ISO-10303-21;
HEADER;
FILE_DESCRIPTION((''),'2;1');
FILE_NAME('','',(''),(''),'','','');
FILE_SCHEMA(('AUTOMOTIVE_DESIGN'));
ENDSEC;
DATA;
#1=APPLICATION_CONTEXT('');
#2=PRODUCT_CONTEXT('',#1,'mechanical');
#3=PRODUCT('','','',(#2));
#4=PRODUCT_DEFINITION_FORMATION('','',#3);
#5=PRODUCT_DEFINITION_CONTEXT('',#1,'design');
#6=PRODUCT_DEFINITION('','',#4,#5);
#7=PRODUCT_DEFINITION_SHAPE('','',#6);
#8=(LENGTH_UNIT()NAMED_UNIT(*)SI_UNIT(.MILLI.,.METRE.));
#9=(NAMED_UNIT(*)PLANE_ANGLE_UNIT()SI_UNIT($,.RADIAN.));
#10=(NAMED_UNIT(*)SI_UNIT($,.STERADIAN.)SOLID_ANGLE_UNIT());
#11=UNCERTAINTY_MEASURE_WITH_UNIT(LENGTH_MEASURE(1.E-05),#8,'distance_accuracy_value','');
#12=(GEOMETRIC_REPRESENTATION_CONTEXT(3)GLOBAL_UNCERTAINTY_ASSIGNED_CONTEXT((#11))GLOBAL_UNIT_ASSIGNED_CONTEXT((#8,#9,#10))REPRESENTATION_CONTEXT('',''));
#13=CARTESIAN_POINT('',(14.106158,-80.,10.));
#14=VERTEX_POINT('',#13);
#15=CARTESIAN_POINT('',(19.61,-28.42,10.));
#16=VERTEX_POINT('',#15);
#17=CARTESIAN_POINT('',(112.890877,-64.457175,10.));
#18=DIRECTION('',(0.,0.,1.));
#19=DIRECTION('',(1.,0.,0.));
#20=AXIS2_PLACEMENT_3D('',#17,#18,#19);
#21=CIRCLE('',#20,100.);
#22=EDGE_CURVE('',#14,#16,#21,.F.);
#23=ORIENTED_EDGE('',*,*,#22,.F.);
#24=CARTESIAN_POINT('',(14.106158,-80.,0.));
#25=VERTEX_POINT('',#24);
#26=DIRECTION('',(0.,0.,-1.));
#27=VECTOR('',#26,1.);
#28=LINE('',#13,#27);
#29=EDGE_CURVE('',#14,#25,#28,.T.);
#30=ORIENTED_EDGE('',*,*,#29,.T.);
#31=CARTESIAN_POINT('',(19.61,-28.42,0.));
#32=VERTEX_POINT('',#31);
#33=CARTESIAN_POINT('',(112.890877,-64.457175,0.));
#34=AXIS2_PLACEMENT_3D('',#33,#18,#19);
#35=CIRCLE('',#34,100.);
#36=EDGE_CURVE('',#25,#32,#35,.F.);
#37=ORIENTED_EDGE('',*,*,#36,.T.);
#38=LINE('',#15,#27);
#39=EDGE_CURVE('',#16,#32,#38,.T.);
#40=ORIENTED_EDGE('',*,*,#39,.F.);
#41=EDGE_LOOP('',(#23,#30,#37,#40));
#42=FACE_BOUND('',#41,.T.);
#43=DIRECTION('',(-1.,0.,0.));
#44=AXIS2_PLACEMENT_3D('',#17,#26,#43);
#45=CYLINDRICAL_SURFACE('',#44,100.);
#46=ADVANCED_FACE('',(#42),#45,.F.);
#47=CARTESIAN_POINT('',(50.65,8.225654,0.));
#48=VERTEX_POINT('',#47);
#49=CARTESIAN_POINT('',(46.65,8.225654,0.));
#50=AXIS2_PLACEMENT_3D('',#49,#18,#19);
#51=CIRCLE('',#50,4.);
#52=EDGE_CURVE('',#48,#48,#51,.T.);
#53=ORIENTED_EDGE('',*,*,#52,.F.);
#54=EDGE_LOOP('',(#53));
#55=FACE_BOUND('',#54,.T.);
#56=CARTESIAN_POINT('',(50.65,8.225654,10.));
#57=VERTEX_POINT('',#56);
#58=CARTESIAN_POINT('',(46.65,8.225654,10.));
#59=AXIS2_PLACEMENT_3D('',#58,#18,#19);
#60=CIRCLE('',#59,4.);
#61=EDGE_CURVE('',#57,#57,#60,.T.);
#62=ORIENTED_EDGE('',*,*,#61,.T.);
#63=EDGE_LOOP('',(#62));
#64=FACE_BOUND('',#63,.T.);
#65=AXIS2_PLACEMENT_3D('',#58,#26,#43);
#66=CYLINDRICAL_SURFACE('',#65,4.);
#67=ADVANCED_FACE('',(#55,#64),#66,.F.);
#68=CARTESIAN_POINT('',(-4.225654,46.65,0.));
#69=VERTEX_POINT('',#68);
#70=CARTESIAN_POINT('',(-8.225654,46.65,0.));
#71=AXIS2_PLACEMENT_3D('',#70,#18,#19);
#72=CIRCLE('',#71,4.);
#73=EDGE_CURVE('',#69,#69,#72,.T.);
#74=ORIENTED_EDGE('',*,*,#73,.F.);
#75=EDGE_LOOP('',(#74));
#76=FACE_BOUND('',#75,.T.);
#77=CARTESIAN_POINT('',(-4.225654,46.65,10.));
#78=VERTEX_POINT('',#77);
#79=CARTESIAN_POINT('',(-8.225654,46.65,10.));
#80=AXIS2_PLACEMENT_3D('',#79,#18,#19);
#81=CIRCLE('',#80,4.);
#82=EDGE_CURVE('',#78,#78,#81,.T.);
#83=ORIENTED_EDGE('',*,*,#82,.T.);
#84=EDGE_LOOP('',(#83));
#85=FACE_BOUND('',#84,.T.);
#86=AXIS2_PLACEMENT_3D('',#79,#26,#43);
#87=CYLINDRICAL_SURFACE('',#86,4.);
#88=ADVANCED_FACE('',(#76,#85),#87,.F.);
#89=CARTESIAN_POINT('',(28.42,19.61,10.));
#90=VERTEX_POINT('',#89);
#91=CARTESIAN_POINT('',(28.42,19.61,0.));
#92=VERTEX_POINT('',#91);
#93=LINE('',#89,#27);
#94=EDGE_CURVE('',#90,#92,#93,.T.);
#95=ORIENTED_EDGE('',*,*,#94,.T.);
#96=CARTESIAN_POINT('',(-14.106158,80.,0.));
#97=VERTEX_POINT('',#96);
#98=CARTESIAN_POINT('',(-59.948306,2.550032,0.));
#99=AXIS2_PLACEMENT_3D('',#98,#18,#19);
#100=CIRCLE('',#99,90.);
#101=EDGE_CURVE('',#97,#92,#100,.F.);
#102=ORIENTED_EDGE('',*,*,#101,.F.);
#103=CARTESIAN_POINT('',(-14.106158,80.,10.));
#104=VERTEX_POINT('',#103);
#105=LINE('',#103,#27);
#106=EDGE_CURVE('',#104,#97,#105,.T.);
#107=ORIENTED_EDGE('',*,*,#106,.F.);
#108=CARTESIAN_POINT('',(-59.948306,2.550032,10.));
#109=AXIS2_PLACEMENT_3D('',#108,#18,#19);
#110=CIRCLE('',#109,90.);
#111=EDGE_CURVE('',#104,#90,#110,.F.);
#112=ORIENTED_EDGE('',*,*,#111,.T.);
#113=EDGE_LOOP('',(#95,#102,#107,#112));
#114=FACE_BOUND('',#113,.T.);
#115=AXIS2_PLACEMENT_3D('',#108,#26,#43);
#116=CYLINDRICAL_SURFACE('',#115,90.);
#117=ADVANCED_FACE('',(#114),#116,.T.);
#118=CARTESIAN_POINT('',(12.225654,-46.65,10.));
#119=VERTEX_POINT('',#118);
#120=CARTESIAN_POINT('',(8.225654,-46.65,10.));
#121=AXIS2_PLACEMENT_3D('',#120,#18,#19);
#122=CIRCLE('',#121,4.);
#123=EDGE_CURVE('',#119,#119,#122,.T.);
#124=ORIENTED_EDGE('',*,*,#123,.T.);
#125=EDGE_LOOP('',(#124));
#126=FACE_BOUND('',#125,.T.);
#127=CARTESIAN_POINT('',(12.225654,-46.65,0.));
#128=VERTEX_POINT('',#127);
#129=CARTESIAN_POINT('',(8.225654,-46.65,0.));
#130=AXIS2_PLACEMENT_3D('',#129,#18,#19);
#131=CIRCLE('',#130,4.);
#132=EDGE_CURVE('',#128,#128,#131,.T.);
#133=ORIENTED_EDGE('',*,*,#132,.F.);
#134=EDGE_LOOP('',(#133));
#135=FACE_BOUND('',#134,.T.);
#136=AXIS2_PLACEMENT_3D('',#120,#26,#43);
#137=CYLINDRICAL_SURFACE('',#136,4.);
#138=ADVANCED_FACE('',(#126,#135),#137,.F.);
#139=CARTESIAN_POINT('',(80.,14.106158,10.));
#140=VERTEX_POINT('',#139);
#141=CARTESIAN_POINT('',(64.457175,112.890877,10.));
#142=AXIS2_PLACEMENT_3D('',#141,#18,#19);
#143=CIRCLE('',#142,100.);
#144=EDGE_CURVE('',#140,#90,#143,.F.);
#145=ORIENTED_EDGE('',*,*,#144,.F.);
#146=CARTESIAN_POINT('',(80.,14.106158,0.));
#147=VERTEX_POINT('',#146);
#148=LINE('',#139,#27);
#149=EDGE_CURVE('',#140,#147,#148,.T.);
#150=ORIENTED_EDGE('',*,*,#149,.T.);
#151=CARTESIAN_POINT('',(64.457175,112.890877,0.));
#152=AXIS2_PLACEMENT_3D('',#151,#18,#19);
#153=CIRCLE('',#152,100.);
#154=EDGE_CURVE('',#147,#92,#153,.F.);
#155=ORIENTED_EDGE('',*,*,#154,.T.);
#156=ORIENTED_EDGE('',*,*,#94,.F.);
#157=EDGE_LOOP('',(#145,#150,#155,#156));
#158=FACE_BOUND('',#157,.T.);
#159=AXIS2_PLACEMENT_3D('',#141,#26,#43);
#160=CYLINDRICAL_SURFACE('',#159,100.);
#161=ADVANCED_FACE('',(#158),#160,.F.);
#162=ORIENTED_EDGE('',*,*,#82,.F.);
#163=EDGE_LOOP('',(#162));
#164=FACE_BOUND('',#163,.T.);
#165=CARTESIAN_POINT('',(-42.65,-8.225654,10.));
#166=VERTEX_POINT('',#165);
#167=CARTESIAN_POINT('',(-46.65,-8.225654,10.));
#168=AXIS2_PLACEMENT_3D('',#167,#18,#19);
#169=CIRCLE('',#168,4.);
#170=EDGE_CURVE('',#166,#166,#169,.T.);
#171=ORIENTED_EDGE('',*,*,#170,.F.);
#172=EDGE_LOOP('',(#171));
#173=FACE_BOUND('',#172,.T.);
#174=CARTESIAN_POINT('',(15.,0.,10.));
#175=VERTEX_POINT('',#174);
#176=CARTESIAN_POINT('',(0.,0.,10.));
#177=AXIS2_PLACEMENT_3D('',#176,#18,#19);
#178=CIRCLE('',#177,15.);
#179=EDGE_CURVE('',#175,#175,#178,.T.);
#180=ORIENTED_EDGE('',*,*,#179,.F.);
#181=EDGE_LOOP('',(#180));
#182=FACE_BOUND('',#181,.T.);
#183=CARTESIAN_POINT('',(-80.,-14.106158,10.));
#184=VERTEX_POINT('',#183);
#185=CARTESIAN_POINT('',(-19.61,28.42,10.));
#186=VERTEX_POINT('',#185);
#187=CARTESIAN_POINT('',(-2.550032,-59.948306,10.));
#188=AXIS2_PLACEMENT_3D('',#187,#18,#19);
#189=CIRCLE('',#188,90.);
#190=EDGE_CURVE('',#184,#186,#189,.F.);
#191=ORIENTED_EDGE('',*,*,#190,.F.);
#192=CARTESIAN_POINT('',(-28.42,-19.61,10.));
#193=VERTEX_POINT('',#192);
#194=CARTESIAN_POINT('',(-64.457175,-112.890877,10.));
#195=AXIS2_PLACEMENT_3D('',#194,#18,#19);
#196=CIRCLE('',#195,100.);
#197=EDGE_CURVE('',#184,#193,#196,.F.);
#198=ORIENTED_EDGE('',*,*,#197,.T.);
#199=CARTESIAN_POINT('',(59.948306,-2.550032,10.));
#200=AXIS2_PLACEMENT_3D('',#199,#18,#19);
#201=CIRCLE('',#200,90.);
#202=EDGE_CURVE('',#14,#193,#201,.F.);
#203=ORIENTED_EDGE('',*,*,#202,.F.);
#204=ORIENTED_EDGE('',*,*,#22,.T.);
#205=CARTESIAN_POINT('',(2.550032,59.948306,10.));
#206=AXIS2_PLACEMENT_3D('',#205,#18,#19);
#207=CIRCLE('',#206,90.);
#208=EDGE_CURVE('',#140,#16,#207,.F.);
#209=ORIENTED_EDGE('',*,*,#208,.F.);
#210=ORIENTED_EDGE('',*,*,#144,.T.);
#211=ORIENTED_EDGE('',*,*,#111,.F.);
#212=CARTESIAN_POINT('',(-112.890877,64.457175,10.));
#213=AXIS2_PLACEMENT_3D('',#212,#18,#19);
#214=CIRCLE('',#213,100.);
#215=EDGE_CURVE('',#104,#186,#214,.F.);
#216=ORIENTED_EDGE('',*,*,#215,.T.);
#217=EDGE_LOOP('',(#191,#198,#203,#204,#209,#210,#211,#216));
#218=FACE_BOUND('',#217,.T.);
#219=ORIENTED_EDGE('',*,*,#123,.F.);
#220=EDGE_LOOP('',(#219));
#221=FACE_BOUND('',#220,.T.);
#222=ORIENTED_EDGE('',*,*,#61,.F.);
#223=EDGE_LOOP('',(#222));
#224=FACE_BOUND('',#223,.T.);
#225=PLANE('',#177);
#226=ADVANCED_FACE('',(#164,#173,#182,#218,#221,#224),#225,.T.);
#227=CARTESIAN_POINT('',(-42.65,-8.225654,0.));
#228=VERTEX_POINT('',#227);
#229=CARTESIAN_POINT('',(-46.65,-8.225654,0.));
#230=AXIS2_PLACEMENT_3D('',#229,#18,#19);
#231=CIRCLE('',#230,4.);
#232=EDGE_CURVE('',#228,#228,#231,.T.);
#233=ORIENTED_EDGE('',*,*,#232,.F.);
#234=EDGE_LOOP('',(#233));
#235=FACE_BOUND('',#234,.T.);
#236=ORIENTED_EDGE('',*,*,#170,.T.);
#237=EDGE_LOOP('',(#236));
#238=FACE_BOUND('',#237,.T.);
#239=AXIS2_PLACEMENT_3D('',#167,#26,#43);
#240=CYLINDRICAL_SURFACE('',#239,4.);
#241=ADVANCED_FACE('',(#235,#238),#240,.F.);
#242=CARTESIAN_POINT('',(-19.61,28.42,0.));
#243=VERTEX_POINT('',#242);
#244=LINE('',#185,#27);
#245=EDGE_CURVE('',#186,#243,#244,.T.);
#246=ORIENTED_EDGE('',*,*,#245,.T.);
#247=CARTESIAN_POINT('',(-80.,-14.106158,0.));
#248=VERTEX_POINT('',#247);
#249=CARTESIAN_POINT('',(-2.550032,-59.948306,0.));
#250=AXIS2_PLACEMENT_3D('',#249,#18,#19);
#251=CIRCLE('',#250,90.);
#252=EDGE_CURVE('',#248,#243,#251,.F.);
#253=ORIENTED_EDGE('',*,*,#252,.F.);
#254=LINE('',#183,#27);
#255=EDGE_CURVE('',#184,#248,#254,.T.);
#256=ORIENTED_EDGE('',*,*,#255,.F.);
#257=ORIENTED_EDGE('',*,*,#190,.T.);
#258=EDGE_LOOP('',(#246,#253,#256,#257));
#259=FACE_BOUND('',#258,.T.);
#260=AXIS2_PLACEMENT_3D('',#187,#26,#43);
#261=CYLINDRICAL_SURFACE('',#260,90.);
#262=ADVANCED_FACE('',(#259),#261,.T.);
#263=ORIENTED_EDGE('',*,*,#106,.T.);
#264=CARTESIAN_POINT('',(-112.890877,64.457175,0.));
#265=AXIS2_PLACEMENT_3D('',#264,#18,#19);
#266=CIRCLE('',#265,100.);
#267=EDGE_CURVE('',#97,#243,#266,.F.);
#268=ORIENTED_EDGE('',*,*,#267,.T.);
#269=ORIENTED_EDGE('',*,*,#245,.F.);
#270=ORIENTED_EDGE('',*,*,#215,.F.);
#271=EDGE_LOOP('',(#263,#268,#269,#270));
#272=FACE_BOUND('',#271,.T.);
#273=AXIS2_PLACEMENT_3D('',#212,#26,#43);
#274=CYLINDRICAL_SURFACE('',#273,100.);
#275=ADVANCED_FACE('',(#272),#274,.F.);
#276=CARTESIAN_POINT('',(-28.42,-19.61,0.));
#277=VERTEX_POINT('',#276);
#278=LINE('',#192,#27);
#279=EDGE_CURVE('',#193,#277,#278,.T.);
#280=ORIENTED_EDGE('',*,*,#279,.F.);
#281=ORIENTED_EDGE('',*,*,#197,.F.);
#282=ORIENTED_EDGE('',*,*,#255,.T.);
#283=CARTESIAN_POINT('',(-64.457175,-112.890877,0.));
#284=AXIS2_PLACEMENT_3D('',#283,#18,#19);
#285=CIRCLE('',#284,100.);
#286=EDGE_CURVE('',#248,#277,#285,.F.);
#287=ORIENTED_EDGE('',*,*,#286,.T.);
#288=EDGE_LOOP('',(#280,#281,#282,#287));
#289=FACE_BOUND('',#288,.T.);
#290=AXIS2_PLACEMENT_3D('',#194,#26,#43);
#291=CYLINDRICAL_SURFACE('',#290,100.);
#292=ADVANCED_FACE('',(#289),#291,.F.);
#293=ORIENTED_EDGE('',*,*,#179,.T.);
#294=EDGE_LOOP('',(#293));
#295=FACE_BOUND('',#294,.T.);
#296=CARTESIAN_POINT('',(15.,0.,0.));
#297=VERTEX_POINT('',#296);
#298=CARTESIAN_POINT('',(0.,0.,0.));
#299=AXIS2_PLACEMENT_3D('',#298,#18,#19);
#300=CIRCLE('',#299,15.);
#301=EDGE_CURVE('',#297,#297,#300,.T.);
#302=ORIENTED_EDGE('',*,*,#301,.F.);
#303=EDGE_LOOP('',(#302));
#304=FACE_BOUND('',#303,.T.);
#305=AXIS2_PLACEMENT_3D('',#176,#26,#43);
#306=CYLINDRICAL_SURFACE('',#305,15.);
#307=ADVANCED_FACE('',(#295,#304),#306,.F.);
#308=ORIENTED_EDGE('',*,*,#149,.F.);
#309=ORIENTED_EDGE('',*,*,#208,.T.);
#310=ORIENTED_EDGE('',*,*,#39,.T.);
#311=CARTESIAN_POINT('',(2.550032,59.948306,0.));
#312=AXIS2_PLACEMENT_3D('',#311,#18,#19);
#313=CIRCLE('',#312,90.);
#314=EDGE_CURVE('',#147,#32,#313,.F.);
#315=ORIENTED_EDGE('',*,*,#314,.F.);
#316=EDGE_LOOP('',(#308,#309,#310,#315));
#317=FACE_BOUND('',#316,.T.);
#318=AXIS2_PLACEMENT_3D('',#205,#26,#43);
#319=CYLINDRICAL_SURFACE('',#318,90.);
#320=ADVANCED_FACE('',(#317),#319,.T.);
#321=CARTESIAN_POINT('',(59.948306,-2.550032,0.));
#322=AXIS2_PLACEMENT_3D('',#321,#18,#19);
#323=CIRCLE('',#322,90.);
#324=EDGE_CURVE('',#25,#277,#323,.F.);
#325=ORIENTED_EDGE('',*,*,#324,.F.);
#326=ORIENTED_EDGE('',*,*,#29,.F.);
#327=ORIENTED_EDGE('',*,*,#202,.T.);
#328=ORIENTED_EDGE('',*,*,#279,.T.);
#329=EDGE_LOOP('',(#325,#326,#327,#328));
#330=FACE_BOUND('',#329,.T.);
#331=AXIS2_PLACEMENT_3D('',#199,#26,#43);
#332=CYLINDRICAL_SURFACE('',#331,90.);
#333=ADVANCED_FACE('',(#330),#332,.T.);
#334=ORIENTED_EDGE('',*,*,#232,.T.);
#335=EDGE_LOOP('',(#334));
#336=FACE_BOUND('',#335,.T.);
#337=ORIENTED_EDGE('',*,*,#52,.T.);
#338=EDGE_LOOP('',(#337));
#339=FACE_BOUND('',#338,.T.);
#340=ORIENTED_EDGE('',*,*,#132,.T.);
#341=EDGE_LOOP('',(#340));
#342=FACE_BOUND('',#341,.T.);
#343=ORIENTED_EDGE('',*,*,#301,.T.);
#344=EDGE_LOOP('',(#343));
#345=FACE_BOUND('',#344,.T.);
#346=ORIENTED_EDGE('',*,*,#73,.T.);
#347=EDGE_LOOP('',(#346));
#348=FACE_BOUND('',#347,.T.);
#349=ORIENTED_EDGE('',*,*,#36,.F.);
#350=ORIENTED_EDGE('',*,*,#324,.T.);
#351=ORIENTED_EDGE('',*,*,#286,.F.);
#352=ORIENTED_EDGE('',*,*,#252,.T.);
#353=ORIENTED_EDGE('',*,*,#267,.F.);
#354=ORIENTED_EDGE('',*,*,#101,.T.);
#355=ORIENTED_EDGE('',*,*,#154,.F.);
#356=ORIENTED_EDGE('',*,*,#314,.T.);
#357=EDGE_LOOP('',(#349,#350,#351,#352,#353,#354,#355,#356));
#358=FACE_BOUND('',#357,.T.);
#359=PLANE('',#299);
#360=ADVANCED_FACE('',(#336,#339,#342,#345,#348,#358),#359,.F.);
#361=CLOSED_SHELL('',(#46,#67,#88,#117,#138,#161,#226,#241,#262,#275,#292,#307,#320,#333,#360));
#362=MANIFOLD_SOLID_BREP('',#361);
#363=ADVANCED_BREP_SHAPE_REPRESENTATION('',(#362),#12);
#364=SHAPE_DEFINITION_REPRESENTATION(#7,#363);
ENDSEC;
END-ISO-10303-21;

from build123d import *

# Parameters (mm, degrees)
CROQUIS1_R              = 4
CROQUIS1_R_2            = 30
CROQUIS1_R_3            = 15
SALIENTE_EXTRUIR2_DEPTH = 10


with BuildPart() as part:
    # Croquis1 → Saliente-Extruir2 (new body)
    # profile 1 of 2: a face of its own
    with BuildSketch(Plane.XY):
        with BuildLine():
            ThreePointArc((-80, -14.106158457), (-54.368470232, 13.637354869), (-19.61, 28.42))
            ThreePointArc((-19.61, 28.42), (-13.455358454, 53.846912835), (-14.106158457, 80))
            ThreePointArc((-14.106158457, 80), (13.637354869, 54.368470232), (28.42, 19.61))
            ThreePointArc((28.42, 19.61), (53.846912835, 13.455358454), (80, 14.106158457))
            ThreePointArc((80, 14.106158457), (54.368470232, -13.637354869), (19.61, -28.42))
            ThreePointArc((19.61, -28.42), (13.455358454, -53.846912835), (14.106158457, -80))
            ThreePointArc((14.106158457, -80), (-13.637354869, -54.368470232), (-28.42, -19.61))
            ThreePointArc((-28.42, -19.61), (-53.846912835, -13.455358454), (-80, -14.106158457))
        make_face()
        with Locations((-46.65, -8.22565365)):
            Circle(CROQUIS1_R, mode=Mode.SUBTRACT)
        Circle(CROQUIS1_R_2, mode=Mode.SUBTRACT)
        with Locations((-8.22565365, 46.65)):
            Circle(CROQUIS1_R, mode=Mode.SUBTRACT)
        with Locations((46.65, 8.22565365)):
            Circle(CROQUIS1_R, mode=Mode.SUBTRACT)
        with Locations((8.22565365, -46.65)):
            Circle(CROQUIS1_R, mode=Mode.SUBTRACT)
    # profile 2 of 2: a face of its own
    with BuildSketch(Plane.XY):
        Circle(CROQUIS1_R_2)
        Circle(CROQUIS1_R_3, mode=Mode.SUBTRACT)
    extrude(amount=SALIENTE_EXTRUIR2_DEPTH)


solid = part.part
